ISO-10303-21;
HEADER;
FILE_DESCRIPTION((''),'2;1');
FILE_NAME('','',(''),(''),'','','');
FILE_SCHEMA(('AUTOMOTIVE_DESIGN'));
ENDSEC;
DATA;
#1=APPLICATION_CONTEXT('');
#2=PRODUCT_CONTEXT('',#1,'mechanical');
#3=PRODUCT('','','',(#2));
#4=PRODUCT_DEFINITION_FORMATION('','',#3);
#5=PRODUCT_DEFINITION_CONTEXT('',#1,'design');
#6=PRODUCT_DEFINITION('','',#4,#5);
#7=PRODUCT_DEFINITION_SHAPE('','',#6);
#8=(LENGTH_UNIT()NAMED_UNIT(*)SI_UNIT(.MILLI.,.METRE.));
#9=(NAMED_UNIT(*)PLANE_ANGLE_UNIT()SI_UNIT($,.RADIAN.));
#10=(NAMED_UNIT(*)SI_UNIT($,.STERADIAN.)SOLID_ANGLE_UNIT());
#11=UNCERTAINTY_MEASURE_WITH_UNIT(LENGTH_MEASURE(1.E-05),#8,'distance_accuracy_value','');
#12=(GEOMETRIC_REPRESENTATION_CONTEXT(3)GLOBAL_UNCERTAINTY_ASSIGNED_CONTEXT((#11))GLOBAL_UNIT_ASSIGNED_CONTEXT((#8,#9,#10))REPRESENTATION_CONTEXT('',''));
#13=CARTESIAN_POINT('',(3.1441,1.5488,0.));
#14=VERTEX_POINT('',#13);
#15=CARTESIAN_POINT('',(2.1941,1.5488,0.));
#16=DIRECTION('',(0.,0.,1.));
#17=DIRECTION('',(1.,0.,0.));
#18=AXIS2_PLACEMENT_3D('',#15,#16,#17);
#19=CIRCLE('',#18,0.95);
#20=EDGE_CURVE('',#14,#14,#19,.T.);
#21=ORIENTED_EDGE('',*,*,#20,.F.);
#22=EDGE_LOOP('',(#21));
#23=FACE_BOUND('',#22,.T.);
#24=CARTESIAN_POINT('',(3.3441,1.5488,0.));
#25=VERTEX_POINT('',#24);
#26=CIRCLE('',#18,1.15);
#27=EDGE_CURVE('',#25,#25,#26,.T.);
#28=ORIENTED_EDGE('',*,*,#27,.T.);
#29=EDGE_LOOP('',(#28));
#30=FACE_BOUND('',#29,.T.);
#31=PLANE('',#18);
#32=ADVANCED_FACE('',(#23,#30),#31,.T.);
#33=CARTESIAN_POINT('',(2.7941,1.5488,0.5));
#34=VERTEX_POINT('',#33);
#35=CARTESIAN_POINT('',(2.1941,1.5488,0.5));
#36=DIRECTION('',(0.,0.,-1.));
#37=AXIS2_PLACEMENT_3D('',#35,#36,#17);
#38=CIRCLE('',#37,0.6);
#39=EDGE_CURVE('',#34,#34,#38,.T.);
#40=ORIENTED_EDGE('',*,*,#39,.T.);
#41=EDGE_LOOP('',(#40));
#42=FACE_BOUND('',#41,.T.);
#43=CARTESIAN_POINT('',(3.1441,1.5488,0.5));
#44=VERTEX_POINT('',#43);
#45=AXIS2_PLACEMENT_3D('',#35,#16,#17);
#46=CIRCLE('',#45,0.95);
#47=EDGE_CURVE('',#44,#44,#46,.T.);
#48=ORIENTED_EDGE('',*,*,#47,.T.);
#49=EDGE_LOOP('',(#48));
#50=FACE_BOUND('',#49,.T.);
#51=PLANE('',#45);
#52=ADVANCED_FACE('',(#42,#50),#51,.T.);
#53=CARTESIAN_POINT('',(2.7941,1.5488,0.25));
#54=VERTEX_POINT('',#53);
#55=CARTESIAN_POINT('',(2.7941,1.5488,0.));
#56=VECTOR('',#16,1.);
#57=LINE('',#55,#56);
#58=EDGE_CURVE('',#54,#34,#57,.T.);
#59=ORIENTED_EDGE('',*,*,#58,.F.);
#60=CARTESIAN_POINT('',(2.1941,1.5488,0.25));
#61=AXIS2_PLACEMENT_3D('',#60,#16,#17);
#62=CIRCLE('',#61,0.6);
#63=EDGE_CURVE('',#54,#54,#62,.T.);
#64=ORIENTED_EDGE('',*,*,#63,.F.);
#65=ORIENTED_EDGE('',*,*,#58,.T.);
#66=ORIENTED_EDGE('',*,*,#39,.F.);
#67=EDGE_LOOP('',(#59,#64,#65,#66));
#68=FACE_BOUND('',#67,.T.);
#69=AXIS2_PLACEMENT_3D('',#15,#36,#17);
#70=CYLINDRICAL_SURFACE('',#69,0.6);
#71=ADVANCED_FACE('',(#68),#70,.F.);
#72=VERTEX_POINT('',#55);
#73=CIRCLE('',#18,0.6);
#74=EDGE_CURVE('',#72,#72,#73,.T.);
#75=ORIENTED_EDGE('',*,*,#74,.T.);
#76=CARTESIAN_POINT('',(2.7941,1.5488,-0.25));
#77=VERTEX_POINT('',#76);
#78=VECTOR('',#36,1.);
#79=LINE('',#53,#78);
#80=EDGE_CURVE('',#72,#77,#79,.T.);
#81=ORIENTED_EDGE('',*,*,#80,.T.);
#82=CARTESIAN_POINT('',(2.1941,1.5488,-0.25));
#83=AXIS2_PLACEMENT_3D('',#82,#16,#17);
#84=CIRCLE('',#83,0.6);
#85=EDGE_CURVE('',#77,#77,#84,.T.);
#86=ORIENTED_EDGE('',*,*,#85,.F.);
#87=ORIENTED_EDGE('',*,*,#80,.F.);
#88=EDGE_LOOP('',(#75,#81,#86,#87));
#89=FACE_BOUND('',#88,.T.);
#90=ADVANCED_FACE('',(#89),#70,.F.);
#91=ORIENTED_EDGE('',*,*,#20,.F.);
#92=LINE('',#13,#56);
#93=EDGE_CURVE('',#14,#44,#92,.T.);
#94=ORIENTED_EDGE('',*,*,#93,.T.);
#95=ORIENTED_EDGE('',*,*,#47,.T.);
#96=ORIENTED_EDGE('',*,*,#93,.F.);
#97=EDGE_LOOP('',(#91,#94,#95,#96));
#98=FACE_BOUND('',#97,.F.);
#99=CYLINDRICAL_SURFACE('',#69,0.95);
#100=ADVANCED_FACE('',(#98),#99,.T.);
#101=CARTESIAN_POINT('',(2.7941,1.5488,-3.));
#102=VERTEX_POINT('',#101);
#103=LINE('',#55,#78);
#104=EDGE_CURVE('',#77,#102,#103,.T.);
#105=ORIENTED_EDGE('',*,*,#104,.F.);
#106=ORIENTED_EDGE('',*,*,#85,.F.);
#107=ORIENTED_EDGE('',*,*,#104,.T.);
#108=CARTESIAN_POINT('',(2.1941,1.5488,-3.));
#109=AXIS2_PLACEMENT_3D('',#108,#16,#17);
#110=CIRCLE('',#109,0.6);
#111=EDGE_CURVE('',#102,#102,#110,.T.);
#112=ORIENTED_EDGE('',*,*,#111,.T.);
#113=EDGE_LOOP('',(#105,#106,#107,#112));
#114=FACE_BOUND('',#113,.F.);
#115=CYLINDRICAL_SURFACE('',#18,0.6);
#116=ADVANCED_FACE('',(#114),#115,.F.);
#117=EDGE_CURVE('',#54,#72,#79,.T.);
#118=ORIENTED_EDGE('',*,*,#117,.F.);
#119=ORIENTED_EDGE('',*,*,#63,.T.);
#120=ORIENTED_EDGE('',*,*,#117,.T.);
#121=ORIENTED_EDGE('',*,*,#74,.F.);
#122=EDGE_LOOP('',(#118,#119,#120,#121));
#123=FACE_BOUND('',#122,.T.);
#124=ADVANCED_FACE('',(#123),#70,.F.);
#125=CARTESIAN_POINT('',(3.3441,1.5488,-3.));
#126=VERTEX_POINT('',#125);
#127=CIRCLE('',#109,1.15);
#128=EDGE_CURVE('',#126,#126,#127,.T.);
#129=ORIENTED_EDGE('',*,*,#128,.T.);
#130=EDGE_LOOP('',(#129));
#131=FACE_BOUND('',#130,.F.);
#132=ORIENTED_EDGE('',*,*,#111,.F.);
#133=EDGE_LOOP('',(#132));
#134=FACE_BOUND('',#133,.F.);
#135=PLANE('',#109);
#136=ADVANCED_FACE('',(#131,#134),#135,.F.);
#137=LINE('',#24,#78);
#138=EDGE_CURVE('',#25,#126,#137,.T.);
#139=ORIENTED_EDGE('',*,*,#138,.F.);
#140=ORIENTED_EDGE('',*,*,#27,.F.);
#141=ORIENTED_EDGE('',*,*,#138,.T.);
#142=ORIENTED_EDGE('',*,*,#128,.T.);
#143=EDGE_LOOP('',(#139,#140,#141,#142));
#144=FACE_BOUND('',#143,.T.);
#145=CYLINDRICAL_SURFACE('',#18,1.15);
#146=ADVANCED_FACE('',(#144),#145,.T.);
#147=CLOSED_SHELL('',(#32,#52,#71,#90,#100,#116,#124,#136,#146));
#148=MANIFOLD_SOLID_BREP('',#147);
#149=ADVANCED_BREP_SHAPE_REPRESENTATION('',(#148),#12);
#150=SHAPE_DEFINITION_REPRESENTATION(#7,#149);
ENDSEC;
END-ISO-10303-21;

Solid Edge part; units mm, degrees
sketch "Sketch1" plane through (0, 0, 0) normal (0, 0, 1) x (1, 0, 0)
  circle A0 centre (2.1941, 1.5488) radius 1.15
extrude "Protrusion1" add sketch "Sketch1" against normal blind 3
sketch "Sketch2" plane through (0, 0, 0) normal (0, 0, 1) x (1, 0, 0)
  circle A0 centre (2.1941, 1.5488) radius 0.95
extrude "ExtrudedProtrusion_2" add sketch "Sketch2" along normal blind 0.5
sketch "Sketch3" plane through (0, 0, 0) normal (0, 0, 1) x (1, 0, 0)
  circle A0 centre (2.1941, 1.5488) radius 0.6
extrude "ExtrudedCutout_1" cut sketch "Sketch3" along normal mid plane 0.5
sketch "Sketch4" plane through (0, 0, 0) normal (0, 0, 1) x (1, 0, 0)
  circle A0 centre (2.1941, 1.5488) radius 0.6
extrude "ExtrudedCutout_2" cut sketch "Sketch4" along normal blind 2.5 and the other way blind 6
